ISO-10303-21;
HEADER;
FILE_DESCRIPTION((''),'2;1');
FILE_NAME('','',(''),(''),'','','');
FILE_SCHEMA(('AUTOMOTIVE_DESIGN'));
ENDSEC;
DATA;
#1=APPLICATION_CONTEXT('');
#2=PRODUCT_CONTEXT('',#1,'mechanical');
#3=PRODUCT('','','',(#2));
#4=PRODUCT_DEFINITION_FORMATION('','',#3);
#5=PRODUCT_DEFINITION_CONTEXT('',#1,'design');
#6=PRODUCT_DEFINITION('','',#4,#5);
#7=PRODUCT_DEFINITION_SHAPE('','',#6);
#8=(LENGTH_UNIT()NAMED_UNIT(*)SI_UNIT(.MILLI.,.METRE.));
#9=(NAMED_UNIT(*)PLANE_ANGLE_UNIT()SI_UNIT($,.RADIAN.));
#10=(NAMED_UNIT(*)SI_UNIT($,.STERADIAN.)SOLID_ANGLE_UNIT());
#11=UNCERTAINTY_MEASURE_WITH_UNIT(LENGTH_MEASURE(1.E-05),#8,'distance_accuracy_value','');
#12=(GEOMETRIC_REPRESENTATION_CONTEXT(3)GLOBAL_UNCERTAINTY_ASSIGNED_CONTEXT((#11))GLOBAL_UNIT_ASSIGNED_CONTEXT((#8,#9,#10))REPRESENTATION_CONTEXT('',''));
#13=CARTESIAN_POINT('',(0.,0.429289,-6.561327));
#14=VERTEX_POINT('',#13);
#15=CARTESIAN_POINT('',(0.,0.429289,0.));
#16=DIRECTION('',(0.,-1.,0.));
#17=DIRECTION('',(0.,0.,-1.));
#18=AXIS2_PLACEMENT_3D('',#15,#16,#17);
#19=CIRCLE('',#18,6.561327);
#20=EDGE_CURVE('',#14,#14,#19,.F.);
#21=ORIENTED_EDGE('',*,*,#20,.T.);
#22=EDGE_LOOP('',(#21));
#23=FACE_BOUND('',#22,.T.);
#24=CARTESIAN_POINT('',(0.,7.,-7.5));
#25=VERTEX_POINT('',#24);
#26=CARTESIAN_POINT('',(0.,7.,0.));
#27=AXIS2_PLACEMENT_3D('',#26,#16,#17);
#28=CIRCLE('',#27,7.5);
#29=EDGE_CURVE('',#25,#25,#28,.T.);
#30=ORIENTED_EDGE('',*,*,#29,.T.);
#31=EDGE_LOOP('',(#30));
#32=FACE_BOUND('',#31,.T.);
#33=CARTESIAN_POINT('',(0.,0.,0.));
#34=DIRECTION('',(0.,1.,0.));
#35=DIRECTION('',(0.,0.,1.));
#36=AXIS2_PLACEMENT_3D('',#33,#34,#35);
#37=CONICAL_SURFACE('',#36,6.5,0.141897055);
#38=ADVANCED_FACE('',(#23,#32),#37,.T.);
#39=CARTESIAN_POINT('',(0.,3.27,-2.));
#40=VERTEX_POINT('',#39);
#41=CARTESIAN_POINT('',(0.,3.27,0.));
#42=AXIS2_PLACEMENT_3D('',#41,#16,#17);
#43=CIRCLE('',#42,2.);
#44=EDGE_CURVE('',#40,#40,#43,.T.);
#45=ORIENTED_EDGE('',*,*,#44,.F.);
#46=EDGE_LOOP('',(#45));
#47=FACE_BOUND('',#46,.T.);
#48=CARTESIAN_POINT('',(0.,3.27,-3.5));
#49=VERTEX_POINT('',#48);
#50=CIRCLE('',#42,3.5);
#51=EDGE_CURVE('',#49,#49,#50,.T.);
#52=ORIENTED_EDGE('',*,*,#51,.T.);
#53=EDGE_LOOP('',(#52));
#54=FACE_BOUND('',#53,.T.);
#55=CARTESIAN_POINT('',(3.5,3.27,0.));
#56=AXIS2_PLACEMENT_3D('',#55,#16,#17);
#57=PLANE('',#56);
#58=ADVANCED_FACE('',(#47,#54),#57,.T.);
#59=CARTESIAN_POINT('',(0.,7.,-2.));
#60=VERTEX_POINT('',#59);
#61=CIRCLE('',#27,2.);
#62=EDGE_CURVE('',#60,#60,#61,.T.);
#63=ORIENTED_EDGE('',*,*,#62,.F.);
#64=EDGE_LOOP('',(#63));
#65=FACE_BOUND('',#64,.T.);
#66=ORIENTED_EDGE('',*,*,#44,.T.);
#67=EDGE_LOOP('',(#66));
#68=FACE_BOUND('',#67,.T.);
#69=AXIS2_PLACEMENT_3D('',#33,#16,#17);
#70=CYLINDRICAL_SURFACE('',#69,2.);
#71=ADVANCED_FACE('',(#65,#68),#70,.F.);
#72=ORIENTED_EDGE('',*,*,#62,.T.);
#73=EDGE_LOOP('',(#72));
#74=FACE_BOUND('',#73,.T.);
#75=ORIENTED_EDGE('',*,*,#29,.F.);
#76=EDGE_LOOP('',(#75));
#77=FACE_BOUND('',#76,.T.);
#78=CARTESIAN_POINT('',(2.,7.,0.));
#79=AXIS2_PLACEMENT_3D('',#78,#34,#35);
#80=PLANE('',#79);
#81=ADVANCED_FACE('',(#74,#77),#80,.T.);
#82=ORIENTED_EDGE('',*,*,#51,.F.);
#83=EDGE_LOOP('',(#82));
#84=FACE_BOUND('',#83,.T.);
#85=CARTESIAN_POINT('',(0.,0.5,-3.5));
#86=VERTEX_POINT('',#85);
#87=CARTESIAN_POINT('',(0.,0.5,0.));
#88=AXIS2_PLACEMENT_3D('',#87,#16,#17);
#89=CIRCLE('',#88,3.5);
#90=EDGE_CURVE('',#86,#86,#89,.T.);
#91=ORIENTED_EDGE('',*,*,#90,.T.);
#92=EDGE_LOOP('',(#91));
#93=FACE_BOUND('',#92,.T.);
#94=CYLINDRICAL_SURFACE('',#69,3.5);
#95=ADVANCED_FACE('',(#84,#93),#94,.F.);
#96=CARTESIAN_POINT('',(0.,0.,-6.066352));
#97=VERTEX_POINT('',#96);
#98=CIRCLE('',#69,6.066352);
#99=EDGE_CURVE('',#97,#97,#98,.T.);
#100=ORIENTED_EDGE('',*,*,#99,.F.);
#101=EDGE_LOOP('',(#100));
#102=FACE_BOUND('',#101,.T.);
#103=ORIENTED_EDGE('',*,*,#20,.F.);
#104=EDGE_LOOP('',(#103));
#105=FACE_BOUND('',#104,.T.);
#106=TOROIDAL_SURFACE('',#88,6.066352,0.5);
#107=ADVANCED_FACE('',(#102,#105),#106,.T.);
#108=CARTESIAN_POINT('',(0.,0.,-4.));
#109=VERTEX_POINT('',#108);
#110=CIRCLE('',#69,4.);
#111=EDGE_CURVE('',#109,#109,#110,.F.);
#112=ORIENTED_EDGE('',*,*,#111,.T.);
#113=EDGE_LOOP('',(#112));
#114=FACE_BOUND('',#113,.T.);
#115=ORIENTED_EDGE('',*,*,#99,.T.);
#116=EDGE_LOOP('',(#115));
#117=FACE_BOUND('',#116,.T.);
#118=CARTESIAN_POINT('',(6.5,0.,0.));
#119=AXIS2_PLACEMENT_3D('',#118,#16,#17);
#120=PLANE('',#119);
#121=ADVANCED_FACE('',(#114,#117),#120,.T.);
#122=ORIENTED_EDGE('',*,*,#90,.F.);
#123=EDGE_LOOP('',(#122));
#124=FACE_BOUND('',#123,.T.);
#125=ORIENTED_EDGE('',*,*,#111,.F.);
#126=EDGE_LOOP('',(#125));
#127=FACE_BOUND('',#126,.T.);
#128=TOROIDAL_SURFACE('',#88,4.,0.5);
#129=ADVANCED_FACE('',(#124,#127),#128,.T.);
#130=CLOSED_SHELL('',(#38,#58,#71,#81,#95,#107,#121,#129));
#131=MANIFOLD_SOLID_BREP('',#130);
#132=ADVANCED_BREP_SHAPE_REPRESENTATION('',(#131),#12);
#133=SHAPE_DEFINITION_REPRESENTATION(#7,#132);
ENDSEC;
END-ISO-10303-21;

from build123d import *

# Parameters (mm, degrees)
FILLET_2_R = 0.5


with BuildPart() as part:
    # 草图1 → 旋转1 (revolve)
    with BuildSketch(Plane.XY, mode=Mode.PRIVATE) as revolve_1_sk:
        Polygon((2, 7), (7.5, 7), (6.5, 0), (3.5, 0), (3.5, 3.27), (2, 3.27), align=None)
    revolve(revolve_1_sk.sketch.rotate(Axis((0, 0, 0), (0, 1, 0)), 90), axis=Axis((0, 0, 0), (0, 1, 0)))

    # 圆角2
    fillet_2_edges = [part.edges().sort_by_distance(p)[0] for p in [
        (0, 0, 3.5),
        (0, 0, 6.5),
    ]]
    fillet(fillet_2_edges, radius=FILLET_2_R)


solid = part.part
